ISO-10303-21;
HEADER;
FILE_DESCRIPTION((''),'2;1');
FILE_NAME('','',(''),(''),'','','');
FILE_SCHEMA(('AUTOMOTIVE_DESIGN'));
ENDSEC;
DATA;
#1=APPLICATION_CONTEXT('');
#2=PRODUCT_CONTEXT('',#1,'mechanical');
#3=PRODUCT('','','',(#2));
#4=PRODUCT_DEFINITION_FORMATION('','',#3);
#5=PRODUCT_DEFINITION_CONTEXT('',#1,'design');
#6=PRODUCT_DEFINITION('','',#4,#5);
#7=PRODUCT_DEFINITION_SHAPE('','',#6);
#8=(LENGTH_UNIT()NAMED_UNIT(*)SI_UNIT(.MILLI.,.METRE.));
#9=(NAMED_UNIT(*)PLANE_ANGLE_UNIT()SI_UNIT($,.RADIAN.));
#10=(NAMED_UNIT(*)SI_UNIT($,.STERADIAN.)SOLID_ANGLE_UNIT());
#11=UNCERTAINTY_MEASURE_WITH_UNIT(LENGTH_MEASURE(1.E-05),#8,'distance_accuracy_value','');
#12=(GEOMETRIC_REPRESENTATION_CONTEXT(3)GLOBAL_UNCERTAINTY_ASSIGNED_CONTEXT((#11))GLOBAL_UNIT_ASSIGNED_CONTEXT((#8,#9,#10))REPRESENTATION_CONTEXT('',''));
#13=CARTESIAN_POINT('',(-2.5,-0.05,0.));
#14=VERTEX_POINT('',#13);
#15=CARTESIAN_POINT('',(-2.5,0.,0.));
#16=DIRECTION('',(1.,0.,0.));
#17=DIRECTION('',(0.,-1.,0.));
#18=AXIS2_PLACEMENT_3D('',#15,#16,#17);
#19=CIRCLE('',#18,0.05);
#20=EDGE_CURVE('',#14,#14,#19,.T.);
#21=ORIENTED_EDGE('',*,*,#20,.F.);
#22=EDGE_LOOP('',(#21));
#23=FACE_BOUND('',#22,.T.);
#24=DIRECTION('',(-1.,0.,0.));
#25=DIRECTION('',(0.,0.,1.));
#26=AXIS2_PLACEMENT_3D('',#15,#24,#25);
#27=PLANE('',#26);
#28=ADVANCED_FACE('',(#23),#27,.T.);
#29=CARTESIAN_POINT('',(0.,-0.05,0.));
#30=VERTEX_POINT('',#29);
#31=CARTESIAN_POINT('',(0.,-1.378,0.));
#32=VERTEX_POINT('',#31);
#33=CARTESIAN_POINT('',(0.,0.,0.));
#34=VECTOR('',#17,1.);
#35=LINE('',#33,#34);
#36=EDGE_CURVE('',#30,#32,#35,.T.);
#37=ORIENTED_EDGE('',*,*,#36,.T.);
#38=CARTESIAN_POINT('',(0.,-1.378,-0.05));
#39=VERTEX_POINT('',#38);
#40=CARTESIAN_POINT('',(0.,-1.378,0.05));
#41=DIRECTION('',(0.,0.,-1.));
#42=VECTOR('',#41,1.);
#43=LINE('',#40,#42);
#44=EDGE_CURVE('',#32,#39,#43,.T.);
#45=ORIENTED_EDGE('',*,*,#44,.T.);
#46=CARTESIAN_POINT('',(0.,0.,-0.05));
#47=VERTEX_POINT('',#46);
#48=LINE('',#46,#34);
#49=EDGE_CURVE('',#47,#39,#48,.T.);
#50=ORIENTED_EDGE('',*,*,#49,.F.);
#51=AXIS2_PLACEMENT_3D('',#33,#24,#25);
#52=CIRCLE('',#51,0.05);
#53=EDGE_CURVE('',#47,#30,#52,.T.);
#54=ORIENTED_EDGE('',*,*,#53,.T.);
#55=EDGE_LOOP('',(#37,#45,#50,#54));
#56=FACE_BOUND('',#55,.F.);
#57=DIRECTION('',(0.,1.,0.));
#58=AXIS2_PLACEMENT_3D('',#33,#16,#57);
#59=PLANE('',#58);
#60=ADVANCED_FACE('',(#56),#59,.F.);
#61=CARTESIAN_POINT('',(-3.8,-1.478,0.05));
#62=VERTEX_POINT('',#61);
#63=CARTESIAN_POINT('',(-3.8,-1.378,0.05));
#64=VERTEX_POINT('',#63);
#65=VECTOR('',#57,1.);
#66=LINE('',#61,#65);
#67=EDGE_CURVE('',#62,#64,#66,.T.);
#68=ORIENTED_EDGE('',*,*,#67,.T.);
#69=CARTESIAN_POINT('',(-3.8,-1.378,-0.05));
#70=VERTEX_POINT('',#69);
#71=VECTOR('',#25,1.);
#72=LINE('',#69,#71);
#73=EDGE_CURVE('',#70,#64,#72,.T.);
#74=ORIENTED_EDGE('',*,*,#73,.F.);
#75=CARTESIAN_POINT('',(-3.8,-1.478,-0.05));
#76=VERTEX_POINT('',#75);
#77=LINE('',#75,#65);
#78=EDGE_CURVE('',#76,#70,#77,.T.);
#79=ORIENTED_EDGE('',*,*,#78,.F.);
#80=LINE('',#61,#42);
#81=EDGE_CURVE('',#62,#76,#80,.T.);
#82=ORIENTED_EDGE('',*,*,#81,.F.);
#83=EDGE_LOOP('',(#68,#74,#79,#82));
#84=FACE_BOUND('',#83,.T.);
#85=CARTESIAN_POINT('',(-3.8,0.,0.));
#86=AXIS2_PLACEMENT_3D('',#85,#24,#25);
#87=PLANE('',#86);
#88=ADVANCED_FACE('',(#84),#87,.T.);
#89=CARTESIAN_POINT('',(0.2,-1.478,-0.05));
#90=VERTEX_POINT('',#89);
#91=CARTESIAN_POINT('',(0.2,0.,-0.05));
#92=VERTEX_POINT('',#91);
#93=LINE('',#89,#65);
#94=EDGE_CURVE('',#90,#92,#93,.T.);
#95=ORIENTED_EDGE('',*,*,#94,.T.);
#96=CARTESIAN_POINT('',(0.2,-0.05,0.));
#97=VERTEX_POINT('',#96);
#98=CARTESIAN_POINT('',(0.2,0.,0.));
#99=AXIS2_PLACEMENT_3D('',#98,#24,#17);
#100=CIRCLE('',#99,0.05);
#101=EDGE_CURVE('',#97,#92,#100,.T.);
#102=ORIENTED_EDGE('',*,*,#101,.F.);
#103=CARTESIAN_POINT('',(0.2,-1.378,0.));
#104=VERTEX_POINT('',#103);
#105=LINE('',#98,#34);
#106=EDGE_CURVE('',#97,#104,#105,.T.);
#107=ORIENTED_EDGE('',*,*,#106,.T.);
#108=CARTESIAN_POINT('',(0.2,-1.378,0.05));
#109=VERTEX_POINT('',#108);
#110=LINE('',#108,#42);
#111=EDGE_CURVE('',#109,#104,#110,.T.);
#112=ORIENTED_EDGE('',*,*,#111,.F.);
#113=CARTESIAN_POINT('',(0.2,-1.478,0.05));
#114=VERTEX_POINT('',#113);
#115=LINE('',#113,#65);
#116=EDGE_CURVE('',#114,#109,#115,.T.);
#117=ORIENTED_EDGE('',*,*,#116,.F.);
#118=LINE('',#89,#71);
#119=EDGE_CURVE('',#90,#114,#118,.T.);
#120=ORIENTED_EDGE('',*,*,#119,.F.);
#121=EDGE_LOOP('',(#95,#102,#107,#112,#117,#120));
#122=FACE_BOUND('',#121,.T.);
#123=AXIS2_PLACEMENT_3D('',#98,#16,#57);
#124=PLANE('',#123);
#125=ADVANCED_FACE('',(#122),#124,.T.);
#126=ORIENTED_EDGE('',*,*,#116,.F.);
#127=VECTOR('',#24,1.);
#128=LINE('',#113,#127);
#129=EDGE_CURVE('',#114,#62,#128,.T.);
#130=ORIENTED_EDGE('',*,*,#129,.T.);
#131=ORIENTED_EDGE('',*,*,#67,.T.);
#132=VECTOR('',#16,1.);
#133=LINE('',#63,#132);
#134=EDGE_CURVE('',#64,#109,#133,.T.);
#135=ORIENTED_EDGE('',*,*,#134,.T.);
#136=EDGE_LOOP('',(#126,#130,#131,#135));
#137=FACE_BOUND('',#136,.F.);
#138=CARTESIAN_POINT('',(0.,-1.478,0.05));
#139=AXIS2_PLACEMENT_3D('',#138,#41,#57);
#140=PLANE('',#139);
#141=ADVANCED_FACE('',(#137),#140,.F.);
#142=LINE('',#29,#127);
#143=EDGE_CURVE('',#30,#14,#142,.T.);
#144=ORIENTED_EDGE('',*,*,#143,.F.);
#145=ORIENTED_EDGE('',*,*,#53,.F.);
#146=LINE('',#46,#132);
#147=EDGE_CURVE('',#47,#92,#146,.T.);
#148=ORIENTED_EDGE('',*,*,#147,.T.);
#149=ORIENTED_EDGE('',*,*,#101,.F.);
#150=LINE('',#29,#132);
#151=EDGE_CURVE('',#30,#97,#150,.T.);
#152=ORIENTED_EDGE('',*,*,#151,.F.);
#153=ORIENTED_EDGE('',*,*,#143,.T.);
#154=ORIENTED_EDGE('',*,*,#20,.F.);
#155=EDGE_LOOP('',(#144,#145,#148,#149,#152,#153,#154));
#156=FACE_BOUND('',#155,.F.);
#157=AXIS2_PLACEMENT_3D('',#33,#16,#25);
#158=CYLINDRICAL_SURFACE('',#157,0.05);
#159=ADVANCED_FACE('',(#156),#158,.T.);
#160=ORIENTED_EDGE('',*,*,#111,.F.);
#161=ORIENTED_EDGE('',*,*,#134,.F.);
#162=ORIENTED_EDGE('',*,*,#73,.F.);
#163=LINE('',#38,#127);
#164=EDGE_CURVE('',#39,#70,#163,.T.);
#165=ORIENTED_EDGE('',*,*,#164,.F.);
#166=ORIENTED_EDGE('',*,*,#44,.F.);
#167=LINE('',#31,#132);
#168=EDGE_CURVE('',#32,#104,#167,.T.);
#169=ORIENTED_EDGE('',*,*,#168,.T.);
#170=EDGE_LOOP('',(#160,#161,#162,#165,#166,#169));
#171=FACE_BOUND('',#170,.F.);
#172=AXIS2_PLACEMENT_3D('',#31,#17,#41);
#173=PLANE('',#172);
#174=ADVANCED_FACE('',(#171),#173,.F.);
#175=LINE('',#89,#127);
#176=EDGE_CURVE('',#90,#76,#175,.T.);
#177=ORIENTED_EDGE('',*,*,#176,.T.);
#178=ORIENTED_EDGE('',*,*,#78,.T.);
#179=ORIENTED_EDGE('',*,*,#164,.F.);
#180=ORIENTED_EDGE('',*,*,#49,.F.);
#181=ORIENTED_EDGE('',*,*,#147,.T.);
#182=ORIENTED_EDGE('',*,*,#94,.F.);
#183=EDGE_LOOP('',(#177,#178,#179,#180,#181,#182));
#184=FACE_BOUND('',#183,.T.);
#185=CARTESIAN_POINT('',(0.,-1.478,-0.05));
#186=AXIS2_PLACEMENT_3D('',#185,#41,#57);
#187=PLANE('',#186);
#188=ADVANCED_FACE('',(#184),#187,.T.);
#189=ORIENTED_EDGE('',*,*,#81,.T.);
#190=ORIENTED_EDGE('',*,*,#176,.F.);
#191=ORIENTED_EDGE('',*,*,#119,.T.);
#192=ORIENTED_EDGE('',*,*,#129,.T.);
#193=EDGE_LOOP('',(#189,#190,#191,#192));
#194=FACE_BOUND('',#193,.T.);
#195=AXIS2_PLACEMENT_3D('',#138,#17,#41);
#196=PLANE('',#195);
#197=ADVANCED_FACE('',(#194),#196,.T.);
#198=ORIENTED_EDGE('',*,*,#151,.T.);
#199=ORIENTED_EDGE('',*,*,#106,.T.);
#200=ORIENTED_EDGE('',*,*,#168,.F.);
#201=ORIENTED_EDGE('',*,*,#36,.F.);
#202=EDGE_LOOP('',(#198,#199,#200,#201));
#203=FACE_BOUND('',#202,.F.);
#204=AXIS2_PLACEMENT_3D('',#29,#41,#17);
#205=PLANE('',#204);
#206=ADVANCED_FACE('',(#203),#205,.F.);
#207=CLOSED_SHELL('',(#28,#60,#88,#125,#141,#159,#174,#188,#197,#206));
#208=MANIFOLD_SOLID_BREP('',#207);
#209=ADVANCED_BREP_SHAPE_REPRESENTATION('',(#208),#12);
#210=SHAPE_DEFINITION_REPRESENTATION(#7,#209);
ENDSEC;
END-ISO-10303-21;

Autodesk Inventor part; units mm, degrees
ref_plane "YZ Plane" through (0, 0, 0) normal (1, 0, 0) x (0, 1, 0)
ref_plane "XZ Plane" through (0, 0, 0) normal (0, 1, 0) x (-1, 0, 0)
ref_plane "XY Plane" through (0, 0, 0) normal (0, 0, 1) x (1, 0, 0)
sketch "Sketch1" plane through (0, 0, 0) normal (1, 0, 0) x (0, 1, 0)
  circle A0 centre (0, 0) radius 0.05
  line L0 (0, 0) -> (-1.428, 0)
  line L1 (-1.478, 0.05) -> (-1.378, 0.05)
  line L2 (-1.378, 0.05) -> (-1.378, -0.05)
  line L3 (-1.378, -0.05) -> (-1.478, -0.05)
  line L4 (-1.478, -0.05) -> (-1.478, 0.05)
  line L5 (-1.478, 0.05) -> (-1.378, -0.05) construction
  line L6 (-1.378, 0.05) -> (-1.478, -0.05) construction
  line L7 (-1.378, -0.05) -> (0, -0.05)
  point P0 (-0.05, 0)
  point P1 (-1.378, 0)
  dimension "d0" = 0.1
  dimension "d1" = 1.428
  dimension "d2" = 0.1
  dimension "d3" = 0.1
extrude "Extrusion1" add sketch "Sketch1" along normal blind 0.2
sketch "Sketch2" plane through (0, 0, 0) normal (-1, 0, 0) x (0, 0, 1)
  arc A0 (0, -0.05) -> (-0.05, 0) centre (0, 0) ccw projected
  circle A1 centre (0, 0) radius 0.05
  point P0 (-0.05, 0)
  point P1 (0, -0.05)
  dimension "d6" = 0.1
extrude "Extrusion2" add sketch "Sketch2" along normal blind 2.5
sketch "Sketch3" plane through (0, 0, 0) normal (-1, 0, 0) x (0, 0, 1)
  line L0 (-0.05, -1.478) -> (-0.05, 0) projected
  line L1 (0.05, -1.478) -> (-0.05, -1.478) projected
  line L2 (-0.05, -1.478) -> (0.05, -1.478)
  line L3 (0, -1.378) -> (0.05, -1.378) projected
  line L4 (0.05, -1.478) -> (0.05, -1.378)
  line L5 (0.05, -1.378) -> (-0.05, -1.378)
  line L6 (-0.05, -1.378) -> (-0.05, -1.478)
  point P0 (0, 0)
extrude "Extrusion3" add sketch "Sketch3" along normal blind 3.8
properties part number "Bone17_16_Fix"
